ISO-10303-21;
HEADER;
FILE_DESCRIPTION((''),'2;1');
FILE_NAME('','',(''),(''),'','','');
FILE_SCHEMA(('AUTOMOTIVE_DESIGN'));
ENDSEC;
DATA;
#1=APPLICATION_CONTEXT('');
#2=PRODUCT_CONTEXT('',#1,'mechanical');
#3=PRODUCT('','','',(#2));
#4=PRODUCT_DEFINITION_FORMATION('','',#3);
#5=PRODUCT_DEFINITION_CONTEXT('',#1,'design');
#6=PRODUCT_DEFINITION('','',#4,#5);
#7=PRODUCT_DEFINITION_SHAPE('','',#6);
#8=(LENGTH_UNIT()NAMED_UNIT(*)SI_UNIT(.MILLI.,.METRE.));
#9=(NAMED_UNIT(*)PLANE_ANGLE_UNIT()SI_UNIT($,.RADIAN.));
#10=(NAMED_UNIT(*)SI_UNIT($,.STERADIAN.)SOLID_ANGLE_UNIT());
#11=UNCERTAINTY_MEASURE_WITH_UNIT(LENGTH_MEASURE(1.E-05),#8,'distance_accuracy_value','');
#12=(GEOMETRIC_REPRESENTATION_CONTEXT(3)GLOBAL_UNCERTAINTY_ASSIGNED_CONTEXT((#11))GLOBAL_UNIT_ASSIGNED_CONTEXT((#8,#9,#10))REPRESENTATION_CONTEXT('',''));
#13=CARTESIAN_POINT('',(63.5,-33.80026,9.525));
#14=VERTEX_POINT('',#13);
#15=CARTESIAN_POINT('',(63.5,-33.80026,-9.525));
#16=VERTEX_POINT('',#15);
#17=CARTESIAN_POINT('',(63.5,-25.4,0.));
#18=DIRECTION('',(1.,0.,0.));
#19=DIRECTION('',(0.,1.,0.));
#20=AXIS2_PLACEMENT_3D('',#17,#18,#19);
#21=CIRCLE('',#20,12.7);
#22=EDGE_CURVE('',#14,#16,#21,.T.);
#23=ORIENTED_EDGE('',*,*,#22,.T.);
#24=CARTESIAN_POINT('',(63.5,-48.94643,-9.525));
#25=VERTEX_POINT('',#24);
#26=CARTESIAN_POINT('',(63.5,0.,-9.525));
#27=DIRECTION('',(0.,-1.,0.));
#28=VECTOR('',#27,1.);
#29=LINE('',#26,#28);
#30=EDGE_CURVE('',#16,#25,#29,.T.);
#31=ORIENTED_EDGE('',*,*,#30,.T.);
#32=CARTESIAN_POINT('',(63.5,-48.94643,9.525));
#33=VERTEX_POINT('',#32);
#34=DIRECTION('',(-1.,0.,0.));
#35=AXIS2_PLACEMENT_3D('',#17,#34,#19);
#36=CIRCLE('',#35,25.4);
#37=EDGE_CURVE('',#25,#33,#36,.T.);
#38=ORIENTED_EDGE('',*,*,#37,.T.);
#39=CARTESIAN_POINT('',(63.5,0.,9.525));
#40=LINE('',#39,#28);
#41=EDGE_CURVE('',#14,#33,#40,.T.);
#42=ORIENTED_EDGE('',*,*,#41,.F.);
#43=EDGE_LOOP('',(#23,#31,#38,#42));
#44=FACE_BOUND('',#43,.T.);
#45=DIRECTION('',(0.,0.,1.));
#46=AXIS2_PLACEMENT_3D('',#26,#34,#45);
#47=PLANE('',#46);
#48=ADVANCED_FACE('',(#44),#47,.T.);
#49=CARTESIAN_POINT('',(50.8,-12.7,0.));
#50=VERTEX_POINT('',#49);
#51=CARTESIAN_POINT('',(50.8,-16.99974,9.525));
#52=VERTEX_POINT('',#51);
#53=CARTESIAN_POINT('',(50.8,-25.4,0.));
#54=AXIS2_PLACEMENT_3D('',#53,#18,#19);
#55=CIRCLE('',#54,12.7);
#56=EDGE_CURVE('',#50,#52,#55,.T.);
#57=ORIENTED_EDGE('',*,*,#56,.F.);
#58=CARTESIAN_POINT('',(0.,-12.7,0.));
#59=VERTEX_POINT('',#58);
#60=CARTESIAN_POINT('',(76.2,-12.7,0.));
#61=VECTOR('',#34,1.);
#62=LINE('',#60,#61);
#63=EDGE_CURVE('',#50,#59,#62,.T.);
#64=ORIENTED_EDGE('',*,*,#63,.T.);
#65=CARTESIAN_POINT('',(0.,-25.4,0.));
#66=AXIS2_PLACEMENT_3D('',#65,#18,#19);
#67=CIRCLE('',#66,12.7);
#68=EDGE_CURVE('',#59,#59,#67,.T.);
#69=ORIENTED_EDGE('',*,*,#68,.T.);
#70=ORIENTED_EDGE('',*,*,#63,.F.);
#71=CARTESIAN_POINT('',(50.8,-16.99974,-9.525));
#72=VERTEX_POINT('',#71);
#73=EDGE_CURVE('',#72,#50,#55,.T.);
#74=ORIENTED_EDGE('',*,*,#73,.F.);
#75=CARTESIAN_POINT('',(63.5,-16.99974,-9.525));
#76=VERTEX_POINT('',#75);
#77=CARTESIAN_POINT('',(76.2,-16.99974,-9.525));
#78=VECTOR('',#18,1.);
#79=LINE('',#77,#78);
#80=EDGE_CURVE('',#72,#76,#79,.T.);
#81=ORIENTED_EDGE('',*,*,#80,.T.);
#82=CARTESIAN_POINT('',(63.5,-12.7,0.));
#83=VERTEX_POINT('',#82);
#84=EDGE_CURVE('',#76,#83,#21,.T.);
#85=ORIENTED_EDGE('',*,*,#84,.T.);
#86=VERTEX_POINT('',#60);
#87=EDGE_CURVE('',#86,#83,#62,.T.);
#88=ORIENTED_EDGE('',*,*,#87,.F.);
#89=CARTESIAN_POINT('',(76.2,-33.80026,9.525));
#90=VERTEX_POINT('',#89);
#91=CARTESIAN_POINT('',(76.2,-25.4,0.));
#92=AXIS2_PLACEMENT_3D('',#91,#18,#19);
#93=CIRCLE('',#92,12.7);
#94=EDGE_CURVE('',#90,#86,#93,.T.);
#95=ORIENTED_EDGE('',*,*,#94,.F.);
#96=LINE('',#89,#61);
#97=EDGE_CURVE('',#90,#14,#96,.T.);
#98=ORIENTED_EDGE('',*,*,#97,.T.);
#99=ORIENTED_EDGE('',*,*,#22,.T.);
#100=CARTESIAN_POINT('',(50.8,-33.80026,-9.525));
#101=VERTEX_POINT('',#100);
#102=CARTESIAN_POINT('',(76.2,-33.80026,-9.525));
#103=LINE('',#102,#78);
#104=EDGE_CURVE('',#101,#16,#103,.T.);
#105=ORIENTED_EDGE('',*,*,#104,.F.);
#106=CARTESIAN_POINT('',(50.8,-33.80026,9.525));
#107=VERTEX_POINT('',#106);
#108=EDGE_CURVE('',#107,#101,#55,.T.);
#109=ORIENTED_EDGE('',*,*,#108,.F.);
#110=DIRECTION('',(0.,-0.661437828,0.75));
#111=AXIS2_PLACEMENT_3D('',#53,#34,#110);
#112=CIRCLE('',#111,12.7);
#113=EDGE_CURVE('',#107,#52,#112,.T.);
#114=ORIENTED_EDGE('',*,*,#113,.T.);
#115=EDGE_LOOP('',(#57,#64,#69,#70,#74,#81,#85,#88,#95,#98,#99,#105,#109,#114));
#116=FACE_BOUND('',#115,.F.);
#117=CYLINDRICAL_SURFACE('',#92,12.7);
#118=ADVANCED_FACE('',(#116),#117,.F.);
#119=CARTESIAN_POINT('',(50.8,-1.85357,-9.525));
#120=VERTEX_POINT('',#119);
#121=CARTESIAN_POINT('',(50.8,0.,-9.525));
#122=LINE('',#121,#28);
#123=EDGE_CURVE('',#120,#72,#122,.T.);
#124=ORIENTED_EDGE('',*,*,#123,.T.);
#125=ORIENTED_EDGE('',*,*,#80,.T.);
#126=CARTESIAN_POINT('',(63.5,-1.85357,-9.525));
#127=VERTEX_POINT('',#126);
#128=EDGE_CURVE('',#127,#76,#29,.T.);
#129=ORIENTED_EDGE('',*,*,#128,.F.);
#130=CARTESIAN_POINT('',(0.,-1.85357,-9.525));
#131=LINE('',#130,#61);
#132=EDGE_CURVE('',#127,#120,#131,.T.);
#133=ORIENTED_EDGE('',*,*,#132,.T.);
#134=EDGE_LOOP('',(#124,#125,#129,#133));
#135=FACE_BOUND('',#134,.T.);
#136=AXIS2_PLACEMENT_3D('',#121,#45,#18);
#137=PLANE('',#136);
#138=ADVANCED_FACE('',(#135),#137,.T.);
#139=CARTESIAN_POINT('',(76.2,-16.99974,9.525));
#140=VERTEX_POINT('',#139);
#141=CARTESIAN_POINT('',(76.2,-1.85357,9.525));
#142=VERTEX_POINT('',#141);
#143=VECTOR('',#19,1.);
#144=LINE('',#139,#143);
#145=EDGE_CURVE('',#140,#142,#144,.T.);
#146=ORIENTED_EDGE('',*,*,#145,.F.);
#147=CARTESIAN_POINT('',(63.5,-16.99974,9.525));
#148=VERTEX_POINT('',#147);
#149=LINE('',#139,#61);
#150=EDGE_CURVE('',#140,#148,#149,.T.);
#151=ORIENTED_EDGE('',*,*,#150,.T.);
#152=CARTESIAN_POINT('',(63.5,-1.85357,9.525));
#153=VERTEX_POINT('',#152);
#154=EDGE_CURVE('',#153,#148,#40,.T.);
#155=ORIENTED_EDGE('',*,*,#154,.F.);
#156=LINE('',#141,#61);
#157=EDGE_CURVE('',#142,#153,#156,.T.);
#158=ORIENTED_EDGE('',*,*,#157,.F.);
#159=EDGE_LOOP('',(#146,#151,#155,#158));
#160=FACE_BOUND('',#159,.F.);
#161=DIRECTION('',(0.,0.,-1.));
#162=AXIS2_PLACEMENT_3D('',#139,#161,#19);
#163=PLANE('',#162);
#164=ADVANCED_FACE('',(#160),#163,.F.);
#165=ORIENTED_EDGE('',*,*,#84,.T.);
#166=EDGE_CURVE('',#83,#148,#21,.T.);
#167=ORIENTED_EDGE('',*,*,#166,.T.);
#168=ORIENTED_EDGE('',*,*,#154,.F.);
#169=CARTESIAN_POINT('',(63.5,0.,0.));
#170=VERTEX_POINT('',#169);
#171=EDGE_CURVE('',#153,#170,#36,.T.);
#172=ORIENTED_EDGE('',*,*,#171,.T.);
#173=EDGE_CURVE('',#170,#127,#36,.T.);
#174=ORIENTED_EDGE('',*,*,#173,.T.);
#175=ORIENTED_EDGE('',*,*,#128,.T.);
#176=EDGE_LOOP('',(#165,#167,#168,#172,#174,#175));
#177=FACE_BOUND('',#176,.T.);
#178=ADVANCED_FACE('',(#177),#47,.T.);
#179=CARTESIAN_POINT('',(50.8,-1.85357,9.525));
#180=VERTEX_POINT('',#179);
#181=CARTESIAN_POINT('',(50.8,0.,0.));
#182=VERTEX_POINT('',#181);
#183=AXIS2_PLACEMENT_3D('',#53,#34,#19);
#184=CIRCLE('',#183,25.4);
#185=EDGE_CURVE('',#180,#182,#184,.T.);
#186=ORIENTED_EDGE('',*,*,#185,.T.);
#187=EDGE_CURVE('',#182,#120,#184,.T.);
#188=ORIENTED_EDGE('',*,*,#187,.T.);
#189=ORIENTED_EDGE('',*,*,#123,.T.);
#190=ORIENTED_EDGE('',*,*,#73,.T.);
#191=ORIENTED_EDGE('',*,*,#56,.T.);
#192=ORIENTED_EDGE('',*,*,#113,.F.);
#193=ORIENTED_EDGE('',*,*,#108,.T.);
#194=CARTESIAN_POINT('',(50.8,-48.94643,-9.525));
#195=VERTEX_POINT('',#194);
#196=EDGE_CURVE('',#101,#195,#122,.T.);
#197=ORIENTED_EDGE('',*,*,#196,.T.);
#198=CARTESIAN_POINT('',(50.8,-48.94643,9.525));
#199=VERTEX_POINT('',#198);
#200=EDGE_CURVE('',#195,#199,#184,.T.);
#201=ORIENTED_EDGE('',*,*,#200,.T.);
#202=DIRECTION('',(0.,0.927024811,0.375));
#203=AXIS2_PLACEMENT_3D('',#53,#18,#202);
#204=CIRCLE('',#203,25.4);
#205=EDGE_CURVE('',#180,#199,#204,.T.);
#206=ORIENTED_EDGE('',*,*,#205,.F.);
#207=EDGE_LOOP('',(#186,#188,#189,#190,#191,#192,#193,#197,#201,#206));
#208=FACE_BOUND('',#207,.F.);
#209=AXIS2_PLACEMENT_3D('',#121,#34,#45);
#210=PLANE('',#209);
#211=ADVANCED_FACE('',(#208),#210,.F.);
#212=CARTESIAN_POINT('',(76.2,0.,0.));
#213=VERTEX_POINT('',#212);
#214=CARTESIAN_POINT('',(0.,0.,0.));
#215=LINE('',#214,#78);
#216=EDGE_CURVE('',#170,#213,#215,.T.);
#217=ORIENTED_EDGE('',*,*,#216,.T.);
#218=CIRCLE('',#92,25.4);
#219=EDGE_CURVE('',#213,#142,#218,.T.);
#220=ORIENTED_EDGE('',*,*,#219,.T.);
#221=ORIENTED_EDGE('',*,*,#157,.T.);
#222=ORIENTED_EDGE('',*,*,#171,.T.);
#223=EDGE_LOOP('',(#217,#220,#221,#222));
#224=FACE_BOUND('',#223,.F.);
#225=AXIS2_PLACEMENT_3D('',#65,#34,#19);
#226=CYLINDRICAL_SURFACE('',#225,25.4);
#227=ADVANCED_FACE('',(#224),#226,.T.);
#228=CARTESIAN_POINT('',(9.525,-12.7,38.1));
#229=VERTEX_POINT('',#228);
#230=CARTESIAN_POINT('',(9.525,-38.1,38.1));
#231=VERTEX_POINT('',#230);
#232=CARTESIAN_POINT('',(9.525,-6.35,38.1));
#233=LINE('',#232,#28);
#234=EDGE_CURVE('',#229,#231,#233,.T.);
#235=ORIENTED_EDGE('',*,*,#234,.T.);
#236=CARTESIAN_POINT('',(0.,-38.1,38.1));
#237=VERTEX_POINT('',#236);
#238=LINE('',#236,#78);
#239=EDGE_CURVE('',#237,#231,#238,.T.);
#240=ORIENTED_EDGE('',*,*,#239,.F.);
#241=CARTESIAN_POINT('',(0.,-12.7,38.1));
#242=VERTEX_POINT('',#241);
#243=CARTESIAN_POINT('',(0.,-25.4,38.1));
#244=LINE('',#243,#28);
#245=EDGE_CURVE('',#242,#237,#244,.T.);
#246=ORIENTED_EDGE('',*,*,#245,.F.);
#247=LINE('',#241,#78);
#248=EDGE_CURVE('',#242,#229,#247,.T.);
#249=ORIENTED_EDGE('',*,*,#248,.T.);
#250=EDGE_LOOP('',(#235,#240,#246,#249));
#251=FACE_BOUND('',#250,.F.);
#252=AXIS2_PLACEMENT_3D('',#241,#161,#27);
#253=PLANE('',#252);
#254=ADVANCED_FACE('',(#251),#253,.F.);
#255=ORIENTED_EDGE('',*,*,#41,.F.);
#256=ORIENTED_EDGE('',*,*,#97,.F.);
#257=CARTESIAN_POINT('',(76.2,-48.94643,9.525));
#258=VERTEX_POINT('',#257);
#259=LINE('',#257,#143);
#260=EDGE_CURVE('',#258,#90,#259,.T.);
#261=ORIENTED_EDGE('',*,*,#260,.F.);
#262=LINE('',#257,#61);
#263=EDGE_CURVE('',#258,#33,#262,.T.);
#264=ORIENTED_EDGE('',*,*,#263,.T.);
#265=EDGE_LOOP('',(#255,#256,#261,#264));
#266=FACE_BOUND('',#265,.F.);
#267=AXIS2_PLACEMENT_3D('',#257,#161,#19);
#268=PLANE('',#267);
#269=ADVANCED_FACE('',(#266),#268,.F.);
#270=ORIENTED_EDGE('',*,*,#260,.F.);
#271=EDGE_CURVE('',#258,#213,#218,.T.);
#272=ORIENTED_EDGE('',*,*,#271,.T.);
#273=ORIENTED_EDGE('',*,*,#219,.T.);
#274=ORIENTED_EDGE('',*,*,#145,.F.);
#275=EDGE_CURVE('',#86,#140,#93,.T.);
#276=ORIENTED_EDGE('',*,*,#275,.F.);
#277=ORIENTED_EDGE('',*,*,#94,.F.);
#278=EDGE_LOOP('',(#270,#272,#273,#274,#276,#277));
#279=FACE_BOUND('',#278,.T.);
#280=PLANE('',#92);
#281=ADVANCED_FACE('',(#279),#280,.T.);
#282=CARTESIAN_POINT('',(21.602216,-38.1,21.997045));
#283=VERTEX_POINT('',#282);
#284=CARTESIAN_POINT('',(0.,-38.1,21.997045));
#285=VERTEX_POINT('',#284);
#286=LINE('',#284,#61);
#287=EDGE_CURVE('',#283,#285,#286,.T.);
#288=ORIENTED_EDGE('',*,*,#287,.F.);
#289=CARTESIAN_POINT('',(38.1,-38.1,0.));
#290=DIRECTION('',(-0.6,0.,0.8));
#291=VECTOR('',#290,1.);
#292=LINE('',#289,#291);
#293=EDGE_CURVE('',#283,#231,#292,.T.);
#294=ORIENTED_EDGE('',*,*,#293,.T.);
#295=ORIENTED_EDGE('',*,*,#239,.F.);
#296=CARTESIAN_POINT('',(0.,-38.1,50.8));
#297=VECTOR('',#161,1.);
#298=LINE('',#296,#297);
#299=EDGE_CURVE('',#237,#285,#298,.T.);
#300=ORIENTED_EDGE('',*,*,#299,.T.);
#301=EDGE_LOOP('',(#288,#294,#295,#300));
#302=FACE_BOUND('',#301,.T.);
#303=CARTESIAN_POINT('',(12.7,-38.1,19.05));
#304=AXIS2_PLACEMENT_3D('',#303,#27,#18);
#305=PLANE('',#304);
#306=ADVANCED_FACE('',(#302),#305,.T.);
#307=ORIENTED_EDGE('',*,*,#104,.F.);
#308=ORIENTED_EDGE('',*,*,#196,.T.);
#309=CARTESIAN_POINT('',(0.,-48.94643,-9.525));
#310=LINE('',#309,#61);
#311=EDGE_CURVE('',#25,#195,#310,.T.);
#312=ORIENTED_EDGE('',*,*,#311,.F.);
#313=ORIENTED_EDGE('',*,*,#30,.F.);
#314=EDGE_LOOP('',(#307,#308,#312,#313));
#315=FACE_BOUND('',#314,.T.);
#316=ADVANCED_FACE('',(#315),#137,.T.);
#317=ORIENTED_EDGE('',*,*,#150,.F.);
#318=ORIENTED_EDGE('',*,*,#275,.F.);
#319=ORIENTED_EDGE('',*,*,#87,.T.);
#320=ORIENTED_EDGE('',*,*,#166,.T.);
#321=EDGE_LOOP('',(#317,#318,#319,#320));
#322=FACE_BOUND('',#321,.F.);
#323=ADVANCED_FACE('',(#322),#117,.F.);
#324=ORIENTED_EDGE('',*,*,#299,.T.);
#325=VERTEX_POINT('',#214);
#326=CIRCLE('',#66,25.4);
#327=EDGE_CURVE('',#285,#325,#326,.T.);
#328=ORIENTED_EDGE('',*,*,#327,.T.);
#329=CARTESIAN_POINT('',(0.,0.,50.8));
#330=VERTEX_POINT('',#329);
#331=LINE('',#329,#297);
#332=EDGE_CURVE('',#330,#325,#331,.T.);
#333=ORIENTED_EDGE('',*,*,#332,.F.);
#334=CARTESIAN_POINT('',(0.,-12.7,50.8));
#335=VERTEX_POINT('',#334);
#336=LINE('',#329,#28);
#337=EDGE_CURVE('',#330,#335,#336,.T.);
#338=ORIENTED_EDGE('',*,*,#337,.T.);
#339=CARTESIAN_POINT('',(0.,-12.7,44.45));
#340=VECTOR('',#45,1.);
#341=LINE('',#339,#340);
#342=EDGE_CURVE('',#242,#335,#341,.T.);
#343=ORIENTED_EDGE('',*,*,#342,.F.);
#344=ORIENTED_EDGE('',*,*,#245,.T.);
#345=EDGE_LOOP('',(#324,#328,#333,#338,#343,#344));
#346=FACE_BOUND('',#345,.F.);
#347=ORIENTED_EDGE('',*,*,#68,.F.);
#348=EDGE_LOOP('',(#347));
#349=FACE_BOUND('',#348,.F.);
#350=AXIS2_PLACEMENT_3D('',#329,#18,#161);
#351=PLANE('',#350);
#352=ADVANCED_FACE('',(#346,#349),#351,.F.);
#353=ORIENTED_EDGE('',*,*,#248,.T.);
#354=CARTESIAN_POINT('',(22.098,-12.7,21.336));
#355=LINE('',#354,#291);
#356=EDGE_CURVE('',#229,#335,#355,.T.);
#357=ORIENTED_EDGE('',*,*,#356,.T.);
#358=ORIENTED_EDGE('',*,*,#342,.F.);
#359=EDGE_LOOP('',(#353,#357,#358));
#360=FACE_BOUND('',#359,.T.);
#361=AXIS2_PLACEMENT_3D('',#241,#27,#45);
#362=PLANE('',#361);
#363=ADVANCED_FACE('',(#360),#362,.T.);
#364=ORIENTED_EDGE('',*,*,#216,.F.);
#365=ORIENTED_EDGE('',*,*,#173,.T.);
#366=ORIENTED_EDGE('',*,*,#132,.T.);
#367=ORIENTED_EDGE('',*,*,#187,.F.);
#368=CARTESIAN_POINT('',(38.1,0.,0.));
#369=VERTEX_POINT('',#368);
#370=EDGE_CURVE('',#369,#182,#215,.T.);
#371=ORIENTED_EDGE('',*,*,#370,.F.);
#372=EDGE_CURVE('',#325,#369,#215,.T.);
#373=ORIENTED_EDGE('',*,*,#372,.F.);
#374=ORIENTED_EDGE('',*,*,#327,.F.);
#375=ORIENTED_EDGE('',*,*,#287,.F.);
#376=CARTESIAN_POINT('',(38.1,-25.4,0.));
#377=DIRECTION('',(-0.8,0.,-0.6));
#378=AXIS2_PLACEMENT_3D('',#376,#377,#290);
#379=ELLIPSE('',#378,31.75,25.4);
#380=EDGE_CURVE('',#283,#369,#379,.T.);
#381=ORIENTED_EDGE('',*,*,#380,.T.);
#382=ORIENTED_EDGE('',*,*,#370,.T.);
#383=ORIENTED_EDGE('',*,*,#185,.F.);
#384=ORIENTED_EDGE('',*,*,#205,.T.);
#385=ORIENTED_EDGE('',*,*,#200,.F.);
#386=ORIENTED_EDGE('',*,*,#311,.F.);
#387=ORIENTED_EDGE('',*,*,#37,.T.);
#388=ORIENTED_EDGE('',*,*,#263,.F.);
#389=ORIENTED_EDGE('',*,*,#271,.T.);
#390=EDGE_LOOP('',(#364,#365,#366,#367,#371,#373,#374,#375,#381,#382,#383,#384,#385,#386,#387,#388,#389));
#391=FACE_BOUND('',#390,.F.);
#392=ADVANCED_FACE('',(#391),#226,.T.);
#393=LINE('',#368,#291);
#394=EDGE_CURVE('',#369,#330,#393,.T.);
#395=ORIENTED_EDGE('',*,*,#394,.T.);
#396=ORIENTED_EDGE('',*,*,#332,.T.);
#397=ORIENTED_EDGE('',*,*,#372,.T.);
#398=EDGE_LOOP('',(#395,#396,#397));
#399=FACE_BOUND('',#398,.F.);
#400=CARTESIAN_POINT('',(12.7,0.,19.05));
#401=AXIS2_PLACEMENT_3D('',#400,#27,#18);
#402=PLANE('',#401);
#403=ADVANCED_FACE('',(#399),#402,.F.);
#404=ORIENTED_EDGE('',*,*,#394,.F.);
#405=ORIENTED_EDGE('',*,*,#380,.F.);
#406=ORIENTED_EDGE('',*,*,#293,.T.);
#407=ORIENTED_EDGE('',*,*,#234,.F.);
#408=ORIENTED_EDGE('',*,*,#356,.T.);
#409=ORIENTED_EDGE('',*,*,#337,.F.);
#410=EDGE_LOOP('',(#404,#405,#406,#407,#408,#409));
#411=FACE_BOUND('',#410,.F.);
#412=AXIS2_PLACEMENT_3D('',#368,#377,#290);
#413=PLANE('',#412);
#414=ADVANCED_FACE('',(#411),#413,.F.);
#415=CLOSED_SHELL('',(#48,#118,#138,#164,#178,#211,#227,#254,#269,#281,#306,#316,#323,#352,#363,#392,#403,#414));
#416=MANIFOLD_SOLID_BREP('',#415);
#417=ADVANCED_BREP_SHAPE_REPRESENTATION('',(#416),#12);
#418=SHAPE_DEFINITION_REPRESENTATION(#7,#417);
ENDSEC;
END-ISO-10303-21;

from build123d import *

# Parameters (mm, degrees)
F1_DEPTH  = 38.1
F2_R      = 25.4
F3_DEPTH  = 76.2
F4_R      = 12.7
F5_DEPTH  = 76.2
F7_DEPTH  = 25.4
F8_W      = 25.4
F8_H      = 12.7
F9_DEPTH  = 25.4
F10_W     = 12.7
F10_H     = 19.05
F11_DEPTH = 76.2


with BuildPart() as f1:
    # F0 (on Front) → F1 (new body)
    with BuildSketch(Plane.XZ):
        Polygon((0, 50.8), (0, 0), (38.1, 0), align=None)
    extrude(amount=F1_DEPTH)

    # F2 (on Right) → F3 (join)
    with BuildSketch(Plane.YZ):
        with Locations((-25.4, 0)):
            Circle(F2_R)
    extrude(amount=F3_DEPTH)

    # F4 (on face) → F5 (cut)
    with BuildSketch(Plane.YZ.offset(76.2)):
        with Locations((-25.4, 0)):
            Circle(F4_R)
    extrude(amount=-F5_DEPTH, mode=Mode.SUBTRACT)

    # F6 (on face) → F7 (cut)
    with BuildSketch(Plane.YZ.offset(76.2)):
        with BuildLine():
            Line((-48.9464301965, 9.525), (-33.8002604126, 9.525))
            ThreePointArc((-33.8002604126, 9.525), (-25.4, 12.7), (-16.9997395874, 9.525))
            Line((-16.9997395874, 9.525), (-1.8535698035, 9.525))
            ThreePointArc((-1.8535698035, 9.525), (-25.4, 25.4), (-48.9464301965, 9.525))
        make_face()
    extrude(amount=-F7_DEPTH, mode=Mode.SUBTRACT)

    # F8 (on face) → F9 (cut)
    with BuildSketch(Plane(origin=(0, 0, 0), x_dir=(0, -1, 0), z_dir=(-1, 0, 0))):
        with Locations((25.4, 44.45)):
            Rectangle(F8_W, F8_H)
    extrude(amount=-F9_DEPTH, mode=Mode.SUBTRACT)

    # F10 (on Front) → F11 (cut)
    with BuildSketch(Plane.XZ):
        with Locations((57.15, 0)):
            Rectangle(F10_W, F10_H)
    extrude(amount=F11_DEPTH, mode=Mode.SUBTRACT)


solid = f1.part
